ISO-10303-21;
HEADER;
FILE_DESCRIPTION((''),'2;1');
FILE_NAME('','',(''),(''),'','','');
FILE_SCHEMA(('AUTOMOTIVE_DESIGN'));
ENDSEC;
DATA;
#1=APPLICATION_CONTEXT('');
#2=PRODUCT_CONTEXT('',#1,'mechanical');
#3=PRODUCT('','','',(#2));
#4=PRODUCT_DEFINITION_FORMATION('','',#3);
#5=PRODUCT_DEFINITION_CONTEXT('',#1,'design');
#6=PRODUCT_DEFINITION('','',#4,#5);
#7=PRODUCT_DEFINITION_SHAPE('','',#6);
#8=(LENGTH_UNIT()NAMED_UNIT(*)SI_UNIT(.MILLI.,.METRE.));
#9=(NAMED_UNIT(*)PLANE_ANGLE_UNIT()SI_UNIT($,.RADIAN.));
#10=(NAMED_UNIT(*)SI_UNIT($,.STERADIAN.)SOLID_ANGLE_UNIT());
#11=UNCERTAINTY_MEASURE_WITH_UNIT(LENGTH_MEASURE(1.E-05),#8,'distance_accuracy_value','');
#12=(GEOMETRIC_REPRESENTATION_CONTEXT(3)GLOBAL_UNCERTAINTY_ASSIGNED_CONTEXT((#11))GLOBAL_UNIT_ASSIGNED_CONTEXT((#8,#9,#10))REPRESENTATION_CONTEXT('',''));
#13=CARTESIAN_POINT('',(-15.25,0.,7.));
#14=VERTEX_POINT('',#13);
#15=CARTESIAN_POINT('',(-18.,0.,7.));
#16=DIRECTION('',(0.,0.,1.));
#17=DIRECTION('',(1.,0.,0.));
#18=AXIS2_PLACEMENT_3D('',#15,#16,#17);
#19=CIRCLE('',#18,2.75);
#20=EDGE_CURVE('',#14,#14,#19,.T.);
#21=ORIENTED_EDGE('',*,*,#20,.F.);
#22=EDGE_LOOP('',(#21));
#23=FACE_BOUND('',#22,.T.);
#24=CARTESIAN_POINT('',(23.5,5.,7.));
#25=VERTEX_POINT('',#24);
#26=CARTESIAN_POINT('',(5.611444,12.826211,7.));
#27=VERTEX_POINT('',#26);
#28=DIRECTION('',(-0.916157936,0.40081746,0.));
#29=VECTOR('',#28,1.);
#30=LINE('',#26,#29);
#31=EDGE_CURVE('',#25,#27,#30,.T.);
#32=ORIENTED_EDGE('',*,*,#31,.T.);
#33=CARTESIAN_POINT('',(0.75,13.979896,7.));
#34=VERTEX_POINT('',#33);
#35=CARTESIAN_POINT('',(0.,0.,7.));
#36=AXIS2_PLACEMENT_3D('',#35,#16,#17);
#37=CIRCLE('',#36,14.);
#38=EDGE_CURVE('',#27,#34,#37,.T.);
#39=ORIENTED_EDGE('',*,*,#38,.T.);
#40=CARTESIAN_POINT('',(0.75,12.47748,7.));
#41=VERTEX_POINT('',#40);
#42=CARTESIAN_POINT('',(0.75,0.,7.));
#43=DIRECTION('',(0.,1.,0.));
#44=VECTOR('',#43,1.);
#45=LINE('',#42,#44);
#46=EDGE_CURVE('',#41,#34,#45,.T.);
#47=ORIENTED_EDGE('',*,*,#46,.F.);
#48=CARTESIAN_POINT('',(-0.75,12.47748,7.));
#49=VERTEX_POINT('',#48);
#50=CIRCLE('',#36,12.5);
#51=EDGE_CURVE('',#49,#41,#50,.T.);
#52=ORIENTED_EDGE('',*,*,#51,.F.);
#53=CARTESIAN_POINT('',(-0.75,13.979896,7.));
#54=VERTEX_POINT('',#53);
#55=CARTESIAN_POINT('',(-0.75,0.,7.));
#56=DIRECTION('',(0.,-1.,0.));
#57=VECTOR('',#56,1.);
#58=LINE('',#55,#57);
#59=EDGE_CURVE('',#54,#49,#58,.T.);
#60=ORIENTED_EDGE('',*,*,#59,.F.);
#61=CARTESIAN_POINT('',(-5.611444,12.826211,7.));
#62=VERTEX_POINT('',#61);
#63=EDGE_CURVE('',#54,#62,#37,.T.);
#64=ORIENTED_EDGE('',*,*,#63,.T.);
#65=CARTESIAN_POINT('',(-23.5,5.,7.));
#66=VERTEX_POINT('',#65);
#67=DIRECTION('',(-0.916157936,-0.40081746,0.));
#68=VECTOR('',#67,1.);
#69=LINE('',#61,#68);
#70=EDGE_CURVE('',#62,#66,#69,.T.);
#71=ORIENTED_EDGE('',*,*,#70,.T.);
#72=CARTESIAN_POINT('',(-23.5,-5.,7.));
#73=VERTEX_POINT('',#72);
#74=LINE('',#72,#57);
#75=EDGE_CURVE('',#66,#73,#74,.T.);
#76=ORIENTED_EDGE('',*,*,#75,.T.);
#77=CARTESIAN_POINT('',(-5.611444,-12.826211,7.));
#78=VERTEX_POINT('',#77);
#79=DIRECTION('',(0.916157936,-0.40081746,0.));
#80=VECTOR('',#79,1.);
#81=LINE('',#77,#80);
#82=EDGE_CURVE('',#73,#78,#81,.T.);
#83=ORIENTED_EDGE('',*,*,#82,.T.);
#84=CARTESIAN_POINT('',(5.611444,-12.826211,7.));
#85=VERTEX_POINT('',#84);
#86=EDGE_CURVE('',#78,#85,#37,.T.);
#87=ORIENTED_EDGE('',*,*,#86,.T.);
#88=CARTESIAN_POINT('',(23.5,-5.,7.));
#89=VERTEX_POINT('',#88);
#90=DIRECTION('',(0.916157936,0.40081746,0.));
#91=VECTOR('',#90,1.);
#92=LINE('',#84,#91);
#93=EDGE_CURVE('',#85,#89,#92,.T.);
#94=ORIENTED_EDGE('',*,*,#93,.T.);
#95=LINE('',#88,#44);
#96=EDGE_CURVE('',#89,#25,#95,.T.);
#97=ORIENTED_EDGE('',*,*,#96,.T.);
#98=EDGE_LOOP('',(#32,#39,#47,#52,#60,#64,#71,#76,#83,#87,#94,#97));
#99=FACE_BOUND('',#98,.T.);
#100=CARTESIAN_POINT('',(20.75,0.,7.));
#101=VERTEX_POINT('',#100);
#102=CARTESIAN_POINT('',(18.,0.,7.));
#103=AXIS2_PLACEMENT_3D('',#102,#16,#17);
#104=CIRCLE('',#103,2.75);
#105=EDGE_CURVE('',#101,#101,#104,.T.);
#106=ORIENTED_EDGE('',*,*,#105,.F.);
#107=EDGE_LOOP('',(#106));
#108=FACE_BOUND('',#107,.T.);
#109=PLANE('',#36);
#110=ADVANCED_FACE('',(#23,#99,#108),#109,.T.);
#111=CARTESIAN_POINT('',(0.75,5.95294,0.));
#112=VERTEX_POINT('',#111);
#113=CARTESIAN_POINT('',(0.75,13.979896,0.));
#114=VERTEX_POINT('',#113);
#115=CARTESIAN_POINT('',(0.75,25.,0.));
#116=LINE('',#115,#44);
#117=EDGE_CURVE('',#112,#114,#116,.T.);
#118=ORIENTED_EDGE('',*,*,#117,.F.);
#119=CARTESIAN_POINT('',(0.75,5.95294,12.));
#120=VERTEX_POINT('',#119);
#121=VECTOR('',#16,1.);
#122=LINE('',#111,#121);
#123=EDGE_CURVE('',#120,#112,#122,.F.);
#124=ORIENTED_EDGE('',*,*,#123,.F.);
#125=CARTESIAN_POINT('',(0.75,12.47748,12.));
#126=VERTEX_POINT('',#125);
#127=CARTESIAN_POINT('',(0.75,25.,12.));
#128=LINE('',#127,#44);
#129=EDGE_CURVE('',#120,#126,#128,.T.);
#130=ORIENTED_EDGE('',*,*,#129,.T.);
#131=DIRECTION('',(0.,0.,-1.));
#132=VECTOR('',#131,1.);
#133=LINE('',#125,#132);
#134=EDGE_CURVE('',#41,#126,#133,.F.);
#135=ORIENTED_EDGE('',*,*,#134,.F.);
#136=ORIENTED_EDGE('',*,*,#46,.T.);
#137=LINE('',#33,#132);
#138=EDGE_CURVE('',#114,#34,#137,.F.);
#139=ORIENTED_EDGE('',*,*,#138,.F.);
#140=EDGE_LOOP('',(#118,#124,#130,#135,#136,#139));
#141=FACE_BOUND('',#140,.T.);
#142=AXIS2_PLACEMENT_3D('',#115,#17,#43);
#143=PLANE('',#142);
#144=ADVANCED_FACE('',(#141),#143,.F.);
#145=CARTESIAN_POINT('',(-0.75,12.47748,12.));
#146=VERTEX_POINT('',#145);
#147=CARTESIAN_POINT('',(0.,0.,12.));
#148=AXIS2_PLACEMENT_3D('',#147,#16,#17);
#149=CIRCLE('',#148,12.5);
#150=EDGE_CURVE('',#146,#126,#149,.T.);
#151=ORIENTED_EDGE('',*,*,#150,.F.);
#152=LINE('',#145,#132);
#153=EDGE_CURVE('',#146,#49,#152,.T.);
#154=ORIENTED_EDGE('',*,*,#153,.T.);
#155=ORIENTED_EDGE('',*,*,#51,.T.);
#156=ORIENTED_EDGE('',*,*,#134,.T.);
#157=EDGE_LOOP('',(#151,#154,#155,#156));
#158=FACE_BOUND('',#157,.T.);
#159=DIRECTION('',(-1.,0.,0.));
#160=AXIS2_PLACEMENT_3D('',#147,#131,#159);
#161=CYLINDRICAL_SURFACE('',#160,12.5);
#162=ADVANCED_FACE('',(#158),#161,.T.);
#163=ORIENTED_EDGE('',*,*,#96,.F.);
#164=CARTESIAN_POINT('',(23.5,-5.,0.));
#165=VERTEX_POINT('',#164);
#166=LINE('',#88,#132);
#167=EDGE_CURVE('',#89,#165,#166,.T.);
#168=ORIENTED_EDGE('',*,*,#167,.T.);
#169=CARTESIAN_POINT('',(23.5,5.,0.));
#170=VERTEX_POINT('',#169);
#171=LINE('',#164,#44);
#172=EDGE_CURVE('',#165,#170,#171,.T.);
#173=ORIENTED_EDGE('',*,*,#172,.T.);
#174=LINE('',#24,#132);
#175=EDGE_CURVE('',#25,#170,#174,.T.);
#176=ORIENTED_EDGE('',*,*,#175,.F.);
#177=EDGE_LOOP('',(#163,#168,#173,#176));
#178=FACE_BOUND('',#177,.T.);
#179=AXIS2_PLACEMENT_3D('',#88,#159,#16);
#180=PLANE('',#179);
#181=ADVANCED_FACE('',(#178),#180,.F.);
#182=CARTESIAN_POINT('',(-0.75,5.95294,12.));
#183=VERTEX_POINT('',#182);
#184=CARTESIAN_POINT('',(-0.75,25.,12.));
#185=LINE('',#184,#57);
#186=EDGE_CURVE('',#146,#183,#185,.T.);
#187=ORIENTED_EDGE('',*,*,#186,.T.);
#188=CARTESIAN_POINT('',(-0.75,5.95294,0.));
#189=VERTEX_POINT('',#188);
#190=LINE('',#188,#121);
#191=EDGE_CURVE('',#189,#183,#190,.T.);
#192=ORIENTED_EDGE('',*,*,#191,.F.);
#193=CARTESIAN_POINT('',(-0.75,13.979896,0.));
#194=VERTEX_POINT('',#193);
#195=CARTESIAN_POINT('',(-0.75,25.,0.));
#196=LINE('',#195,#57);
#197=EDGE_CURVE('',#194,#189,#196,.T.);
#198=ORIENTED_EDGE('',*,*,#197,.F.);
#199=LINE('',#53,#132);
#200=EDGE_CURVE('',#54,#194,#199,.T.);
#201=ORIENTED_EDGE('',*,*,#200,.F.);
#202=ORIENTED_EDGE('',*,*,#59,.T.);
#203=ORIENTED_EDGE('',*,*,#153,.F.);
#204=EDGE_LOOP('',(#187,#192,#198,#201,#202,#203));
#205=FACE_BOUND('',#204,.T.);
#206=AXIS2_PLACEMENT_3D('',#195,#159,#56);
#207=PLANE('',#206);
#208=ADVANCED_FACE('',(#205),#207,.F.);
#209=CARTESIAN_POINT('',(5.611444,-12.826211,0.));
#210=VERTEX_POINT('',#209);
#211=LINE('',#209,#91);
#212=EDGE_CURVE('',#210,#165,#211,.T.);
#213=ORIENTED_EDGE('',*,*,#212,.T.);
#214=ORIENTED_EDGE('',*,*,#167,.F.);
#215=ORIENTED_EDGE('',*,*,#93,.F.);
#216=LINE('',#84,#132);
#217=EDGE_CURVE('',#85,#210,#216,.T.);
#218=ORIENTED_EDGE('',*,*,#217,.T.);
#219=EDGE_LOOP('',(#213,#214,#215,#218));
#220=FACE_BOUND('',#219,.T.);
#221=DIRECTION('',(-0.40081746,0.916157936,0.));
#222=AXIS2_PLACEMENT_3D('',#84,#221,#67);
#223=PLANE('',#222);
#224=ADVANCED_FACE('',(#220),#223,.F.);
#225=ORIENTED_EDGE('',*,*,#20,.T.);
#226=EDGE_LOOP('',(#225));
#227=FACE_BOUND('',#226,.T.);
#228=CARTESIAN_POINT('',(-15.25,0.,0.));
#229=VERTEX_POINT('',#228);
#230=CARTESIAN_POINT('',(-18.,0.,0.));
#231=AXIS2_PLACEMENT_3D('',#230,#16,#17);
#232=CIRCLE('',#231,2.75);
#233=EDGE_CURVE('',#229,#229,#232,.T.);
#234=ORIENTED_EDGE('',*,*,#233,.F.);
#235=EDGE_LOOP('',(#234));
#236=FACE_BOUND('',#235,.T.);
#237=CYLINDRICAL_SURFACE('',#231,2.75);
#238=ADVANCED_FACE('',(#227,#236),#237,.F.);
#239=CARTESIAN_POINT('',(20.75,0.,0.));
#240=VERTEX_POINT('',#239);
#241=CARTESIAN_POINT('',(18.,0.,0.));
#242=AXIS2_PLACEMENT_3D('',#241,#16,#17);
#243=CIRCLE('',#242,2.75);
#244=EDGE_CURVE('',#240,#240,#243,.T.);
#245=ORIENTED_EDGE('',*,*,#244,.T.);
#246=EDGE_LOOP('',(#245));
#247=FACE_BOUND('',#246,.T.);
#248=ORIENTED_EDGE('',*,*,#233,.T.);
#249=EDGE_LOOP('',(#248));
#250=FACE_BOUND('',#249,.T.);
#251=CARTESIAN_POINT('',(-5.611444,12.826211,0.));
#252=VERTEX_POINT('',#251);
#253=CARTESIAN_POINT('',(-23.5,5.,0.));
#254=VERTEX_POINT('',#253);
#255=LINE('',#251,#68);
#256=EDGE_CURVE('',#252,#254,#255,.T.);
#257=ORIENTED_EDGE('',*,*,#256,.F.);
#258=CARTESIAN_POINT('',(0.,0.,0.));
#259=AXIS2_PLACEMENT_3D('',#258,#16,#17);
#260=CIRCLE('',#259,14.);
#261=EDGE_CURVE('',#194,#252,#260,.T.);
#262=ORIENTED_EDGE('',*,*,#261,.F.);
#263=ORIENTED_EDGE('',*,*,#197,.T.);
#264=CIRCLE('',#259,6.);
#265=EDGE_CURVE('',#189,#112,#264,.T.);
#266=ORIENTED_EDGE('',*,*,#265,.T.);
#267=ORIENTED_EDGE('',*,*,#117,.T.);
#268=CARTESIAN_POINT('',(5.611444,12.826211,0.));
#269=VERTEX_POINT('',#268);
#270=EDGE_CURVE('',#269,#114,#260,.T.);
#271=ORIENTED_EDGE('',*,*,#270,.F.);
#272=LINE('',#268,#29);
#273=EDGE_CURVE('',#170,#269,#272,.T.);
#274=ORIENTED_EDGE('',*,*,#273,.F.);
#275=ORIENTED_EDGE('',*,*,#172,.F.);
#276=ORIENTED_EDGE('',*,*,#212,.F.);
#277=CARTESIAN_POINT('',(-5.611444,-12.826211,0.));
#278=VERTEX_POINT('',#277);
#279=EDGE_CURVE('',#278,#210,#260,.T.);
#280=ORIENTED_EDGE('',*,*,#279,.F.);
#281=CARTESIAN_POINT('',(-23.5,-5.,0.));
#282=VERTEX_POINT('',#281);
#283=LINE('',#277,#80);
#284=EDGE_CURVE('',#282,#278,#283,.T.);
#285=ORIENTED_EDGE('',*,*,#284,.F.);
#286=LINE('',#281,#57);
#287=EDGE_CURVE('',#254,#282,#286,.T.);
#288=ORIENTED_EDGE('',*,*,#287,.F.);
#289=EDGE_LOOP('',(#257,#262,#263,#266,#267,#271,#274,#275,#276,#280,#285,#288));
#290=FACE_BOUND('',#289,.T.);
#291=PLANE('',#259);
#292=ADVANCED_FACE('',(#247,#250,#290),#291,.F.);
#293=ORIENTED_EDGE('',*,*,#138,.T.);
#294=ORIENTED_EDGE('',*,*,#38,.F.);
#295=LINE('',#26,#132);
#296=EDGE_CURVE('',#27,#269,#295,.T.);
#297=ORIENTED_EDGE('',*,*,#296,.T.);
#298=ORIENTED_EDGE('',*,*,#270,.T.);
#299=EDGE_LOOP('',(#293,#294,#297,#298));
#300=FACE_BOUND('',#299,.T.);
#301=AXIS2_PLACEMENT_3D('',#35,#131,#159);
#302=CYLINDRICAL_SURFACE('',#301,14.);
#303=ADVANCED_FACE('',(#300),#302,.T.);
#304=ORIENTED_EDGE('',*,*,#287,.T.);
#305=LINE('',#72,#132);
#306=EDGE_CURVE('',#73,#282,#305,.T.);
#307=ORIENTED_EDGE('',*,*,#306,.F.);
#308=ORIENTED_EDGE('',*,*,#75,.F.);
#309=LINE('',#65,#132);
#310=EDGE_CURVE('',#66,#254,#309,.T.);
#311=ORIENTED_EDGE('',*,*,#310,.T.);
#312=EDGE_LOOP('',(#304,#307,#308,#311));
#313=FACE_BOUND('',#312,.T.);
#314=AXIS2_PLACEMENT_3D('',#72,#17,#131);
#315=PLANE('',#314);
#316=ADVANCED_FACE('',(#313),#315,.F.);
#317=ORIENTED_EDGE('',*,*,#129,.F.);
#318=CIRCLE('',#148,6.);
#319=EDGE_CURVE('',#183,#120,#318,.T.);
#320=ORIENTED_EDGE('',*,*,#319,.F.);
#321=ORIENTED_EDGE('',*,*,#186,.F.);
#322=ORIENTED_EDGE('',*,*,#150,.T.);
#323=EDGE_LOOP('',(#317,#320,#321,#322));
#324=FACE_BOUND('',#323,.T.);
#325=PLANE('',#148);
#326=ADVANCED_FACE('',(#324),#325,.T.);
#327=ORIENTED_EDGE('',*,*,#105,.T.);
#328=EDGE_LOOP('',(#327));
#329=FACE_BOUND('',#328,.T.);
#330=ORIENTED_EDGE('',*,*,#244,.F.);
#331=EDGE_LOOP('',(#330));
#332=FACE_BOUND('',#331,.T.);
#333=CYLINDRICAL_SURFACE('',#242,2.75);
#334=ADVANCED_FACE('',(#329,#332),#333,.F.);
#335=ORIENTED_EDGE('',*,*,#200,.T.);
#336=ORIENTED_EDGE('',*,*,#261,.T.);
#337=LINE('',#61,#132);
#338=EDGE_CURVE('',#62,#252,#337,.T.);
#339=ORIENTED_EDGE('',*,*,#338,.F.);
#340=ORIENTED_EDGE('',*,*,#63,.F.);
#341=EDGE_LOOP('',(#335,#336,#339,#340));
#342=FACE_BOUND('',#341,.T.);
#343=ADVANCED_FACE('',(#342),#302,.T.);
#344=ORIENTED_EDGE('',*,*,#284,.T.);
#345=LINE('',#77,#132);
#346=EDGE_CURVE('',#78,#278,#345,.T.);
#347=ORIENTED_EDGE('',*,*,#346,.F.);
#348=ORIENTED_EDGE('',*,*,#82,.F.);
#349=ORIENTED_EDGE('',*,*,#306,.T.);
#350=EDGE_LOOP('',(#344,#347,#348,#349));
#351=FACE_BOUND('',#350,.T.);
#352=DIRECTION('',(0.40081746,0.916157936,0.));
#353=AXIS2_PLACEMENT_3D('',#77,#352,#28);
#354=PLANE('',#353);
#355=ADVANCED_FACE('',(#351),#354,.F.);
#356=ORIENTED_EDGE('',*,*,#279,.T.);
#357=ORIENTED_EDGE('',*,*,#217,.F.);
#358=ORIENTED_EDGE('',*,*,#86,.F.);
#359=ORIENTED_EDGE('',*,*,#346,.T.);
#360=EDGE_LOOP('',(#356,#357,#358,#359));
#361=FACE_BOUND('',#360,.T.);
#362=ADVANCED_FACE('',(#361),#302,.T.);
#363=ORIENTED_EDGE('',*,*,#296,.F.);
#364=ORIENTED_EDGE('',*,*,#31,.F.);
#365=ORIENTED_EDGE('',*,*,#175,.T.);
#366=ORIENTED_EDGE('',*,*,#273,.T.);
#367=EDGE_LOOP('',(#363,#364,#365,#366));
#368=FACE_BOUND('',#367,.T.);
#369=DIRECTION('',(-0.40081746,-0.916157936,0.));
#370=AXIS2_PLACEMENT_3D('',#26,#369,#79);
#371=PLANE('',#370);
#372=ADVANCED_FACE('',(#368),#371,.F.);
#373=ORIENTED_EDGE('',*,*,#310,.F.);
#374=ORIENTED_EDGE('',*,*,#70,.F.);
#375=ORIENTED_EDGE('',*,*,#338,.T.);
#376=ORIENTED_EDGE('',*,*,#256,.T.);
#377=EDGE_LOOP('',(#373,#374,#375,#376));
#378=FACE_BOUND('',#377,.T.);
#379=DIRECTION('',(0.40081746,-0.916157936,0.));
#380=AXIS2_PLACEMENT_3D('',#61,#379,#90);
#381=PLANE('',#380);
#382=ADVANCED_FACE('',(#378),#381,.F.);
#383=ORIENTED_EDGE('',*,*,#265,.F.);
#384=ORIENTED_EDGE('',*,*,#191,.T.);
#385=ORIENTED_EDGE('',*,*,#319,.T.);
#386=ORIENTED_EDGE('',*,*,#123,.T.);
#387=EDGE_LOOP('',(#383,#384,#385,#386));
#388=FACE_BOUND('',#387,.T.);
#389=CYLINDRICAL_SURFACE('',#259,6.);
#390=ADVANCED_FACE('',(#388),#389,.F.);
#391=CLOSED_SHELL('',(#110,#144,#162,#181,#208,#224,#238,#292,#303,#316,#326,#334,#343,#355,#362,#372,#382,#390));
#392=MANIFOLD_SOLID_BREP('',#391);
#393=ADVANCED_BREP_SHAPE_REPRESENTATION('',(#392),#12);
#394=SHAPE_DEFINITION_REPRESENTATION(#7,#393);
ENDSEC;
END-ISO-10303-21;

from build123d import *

# Parameters (mm, degrees)
BOSS_EXTRUDE1_DEPTH = 7
SKETCH2_R           = 12.5
BOSS_EXTRUDE2_DEPTH = 5
SKETCH3_R           = 6
CUT_EXTRUDE1_DEPTH  = 13
SKETCH4_R           = 2.75
CUT_EXTRUDE2_DEPTH  = 8
SKETCH5_W           = 1.5
SKETCH5_H           = 20
CUT_EXTRUDE3_DEPTH  = 13


with BuildPart() as part:
    # Sketch1 → Boss-Extrude1 (new body)
    with BuildSketch(Plane.XY):
        with BuildLine():
            Line((-5.611444446, 12.826211102), (-23.5, 5))
            Line((-23.5, 5), (-23.5, -5))
            Line((-23.5, -5), (-5.611444446, -12.826211102))
            ThreePointArc((-5.611444446, -12.826211102), (0, -14), (5.611444446, -12.826211102))
            Line((5.611444446, -12.826211102), (23.5, -5))
            Line((23.5, -5), (23.5, 5))
            Line((23.5, 5), (5.611444446, 12.826211102))
            ThreePointArc((5.611444446, 12.826211102), (0, 14), (-5.611444446, 12.826211102))
        make_face()
    extrude(amount=BOSS_EXTRUDE1_DEPTH)

    # Sketch2 → Boss-Extrude2 (add)
    with BuildSketch(Plane.XY.offset(7)):
        Circle(SKETCH2_R)
    extrude(amount=BOSS_EXTRUDE2_DEPTH)

    # Sketch3 → Cut-Extrude1 (cut, through all)
    with BuildSketch(Plane.XY.offset(12)):
        Circle(SKETCH3_R)
    extrude(amount=-CUT_EXTRUDE1_DEPTH, mode=Mode.SUBTRACT)

    # Sketch4 → Cut-Extrude2 (cut, through all)
    with BuildSketch(Plane.XY.offset(7)):
        with Locations((-18, 0)):
            Circle(SKETCH4_R)
        with Locations((18, 0)):
            Circle(SKETCH4_R)
    extrude(amount=-CUT_EXTRUDE2_DEPTH, mode=Mode.SUBTRACT)

    # Sketch5 → Cut-Extrude3 (cut, through all)
    with BuildSketch(Plane.XY.offset(12)):
        with Locations((0, 15)):
            Rectangle(SKETCH5_W, SKETCH5_H)
    extrude(amount=-CUT_EXTRUDE3_DEPTH, mode=Mode.SUBTRACT)


solid = part.part
